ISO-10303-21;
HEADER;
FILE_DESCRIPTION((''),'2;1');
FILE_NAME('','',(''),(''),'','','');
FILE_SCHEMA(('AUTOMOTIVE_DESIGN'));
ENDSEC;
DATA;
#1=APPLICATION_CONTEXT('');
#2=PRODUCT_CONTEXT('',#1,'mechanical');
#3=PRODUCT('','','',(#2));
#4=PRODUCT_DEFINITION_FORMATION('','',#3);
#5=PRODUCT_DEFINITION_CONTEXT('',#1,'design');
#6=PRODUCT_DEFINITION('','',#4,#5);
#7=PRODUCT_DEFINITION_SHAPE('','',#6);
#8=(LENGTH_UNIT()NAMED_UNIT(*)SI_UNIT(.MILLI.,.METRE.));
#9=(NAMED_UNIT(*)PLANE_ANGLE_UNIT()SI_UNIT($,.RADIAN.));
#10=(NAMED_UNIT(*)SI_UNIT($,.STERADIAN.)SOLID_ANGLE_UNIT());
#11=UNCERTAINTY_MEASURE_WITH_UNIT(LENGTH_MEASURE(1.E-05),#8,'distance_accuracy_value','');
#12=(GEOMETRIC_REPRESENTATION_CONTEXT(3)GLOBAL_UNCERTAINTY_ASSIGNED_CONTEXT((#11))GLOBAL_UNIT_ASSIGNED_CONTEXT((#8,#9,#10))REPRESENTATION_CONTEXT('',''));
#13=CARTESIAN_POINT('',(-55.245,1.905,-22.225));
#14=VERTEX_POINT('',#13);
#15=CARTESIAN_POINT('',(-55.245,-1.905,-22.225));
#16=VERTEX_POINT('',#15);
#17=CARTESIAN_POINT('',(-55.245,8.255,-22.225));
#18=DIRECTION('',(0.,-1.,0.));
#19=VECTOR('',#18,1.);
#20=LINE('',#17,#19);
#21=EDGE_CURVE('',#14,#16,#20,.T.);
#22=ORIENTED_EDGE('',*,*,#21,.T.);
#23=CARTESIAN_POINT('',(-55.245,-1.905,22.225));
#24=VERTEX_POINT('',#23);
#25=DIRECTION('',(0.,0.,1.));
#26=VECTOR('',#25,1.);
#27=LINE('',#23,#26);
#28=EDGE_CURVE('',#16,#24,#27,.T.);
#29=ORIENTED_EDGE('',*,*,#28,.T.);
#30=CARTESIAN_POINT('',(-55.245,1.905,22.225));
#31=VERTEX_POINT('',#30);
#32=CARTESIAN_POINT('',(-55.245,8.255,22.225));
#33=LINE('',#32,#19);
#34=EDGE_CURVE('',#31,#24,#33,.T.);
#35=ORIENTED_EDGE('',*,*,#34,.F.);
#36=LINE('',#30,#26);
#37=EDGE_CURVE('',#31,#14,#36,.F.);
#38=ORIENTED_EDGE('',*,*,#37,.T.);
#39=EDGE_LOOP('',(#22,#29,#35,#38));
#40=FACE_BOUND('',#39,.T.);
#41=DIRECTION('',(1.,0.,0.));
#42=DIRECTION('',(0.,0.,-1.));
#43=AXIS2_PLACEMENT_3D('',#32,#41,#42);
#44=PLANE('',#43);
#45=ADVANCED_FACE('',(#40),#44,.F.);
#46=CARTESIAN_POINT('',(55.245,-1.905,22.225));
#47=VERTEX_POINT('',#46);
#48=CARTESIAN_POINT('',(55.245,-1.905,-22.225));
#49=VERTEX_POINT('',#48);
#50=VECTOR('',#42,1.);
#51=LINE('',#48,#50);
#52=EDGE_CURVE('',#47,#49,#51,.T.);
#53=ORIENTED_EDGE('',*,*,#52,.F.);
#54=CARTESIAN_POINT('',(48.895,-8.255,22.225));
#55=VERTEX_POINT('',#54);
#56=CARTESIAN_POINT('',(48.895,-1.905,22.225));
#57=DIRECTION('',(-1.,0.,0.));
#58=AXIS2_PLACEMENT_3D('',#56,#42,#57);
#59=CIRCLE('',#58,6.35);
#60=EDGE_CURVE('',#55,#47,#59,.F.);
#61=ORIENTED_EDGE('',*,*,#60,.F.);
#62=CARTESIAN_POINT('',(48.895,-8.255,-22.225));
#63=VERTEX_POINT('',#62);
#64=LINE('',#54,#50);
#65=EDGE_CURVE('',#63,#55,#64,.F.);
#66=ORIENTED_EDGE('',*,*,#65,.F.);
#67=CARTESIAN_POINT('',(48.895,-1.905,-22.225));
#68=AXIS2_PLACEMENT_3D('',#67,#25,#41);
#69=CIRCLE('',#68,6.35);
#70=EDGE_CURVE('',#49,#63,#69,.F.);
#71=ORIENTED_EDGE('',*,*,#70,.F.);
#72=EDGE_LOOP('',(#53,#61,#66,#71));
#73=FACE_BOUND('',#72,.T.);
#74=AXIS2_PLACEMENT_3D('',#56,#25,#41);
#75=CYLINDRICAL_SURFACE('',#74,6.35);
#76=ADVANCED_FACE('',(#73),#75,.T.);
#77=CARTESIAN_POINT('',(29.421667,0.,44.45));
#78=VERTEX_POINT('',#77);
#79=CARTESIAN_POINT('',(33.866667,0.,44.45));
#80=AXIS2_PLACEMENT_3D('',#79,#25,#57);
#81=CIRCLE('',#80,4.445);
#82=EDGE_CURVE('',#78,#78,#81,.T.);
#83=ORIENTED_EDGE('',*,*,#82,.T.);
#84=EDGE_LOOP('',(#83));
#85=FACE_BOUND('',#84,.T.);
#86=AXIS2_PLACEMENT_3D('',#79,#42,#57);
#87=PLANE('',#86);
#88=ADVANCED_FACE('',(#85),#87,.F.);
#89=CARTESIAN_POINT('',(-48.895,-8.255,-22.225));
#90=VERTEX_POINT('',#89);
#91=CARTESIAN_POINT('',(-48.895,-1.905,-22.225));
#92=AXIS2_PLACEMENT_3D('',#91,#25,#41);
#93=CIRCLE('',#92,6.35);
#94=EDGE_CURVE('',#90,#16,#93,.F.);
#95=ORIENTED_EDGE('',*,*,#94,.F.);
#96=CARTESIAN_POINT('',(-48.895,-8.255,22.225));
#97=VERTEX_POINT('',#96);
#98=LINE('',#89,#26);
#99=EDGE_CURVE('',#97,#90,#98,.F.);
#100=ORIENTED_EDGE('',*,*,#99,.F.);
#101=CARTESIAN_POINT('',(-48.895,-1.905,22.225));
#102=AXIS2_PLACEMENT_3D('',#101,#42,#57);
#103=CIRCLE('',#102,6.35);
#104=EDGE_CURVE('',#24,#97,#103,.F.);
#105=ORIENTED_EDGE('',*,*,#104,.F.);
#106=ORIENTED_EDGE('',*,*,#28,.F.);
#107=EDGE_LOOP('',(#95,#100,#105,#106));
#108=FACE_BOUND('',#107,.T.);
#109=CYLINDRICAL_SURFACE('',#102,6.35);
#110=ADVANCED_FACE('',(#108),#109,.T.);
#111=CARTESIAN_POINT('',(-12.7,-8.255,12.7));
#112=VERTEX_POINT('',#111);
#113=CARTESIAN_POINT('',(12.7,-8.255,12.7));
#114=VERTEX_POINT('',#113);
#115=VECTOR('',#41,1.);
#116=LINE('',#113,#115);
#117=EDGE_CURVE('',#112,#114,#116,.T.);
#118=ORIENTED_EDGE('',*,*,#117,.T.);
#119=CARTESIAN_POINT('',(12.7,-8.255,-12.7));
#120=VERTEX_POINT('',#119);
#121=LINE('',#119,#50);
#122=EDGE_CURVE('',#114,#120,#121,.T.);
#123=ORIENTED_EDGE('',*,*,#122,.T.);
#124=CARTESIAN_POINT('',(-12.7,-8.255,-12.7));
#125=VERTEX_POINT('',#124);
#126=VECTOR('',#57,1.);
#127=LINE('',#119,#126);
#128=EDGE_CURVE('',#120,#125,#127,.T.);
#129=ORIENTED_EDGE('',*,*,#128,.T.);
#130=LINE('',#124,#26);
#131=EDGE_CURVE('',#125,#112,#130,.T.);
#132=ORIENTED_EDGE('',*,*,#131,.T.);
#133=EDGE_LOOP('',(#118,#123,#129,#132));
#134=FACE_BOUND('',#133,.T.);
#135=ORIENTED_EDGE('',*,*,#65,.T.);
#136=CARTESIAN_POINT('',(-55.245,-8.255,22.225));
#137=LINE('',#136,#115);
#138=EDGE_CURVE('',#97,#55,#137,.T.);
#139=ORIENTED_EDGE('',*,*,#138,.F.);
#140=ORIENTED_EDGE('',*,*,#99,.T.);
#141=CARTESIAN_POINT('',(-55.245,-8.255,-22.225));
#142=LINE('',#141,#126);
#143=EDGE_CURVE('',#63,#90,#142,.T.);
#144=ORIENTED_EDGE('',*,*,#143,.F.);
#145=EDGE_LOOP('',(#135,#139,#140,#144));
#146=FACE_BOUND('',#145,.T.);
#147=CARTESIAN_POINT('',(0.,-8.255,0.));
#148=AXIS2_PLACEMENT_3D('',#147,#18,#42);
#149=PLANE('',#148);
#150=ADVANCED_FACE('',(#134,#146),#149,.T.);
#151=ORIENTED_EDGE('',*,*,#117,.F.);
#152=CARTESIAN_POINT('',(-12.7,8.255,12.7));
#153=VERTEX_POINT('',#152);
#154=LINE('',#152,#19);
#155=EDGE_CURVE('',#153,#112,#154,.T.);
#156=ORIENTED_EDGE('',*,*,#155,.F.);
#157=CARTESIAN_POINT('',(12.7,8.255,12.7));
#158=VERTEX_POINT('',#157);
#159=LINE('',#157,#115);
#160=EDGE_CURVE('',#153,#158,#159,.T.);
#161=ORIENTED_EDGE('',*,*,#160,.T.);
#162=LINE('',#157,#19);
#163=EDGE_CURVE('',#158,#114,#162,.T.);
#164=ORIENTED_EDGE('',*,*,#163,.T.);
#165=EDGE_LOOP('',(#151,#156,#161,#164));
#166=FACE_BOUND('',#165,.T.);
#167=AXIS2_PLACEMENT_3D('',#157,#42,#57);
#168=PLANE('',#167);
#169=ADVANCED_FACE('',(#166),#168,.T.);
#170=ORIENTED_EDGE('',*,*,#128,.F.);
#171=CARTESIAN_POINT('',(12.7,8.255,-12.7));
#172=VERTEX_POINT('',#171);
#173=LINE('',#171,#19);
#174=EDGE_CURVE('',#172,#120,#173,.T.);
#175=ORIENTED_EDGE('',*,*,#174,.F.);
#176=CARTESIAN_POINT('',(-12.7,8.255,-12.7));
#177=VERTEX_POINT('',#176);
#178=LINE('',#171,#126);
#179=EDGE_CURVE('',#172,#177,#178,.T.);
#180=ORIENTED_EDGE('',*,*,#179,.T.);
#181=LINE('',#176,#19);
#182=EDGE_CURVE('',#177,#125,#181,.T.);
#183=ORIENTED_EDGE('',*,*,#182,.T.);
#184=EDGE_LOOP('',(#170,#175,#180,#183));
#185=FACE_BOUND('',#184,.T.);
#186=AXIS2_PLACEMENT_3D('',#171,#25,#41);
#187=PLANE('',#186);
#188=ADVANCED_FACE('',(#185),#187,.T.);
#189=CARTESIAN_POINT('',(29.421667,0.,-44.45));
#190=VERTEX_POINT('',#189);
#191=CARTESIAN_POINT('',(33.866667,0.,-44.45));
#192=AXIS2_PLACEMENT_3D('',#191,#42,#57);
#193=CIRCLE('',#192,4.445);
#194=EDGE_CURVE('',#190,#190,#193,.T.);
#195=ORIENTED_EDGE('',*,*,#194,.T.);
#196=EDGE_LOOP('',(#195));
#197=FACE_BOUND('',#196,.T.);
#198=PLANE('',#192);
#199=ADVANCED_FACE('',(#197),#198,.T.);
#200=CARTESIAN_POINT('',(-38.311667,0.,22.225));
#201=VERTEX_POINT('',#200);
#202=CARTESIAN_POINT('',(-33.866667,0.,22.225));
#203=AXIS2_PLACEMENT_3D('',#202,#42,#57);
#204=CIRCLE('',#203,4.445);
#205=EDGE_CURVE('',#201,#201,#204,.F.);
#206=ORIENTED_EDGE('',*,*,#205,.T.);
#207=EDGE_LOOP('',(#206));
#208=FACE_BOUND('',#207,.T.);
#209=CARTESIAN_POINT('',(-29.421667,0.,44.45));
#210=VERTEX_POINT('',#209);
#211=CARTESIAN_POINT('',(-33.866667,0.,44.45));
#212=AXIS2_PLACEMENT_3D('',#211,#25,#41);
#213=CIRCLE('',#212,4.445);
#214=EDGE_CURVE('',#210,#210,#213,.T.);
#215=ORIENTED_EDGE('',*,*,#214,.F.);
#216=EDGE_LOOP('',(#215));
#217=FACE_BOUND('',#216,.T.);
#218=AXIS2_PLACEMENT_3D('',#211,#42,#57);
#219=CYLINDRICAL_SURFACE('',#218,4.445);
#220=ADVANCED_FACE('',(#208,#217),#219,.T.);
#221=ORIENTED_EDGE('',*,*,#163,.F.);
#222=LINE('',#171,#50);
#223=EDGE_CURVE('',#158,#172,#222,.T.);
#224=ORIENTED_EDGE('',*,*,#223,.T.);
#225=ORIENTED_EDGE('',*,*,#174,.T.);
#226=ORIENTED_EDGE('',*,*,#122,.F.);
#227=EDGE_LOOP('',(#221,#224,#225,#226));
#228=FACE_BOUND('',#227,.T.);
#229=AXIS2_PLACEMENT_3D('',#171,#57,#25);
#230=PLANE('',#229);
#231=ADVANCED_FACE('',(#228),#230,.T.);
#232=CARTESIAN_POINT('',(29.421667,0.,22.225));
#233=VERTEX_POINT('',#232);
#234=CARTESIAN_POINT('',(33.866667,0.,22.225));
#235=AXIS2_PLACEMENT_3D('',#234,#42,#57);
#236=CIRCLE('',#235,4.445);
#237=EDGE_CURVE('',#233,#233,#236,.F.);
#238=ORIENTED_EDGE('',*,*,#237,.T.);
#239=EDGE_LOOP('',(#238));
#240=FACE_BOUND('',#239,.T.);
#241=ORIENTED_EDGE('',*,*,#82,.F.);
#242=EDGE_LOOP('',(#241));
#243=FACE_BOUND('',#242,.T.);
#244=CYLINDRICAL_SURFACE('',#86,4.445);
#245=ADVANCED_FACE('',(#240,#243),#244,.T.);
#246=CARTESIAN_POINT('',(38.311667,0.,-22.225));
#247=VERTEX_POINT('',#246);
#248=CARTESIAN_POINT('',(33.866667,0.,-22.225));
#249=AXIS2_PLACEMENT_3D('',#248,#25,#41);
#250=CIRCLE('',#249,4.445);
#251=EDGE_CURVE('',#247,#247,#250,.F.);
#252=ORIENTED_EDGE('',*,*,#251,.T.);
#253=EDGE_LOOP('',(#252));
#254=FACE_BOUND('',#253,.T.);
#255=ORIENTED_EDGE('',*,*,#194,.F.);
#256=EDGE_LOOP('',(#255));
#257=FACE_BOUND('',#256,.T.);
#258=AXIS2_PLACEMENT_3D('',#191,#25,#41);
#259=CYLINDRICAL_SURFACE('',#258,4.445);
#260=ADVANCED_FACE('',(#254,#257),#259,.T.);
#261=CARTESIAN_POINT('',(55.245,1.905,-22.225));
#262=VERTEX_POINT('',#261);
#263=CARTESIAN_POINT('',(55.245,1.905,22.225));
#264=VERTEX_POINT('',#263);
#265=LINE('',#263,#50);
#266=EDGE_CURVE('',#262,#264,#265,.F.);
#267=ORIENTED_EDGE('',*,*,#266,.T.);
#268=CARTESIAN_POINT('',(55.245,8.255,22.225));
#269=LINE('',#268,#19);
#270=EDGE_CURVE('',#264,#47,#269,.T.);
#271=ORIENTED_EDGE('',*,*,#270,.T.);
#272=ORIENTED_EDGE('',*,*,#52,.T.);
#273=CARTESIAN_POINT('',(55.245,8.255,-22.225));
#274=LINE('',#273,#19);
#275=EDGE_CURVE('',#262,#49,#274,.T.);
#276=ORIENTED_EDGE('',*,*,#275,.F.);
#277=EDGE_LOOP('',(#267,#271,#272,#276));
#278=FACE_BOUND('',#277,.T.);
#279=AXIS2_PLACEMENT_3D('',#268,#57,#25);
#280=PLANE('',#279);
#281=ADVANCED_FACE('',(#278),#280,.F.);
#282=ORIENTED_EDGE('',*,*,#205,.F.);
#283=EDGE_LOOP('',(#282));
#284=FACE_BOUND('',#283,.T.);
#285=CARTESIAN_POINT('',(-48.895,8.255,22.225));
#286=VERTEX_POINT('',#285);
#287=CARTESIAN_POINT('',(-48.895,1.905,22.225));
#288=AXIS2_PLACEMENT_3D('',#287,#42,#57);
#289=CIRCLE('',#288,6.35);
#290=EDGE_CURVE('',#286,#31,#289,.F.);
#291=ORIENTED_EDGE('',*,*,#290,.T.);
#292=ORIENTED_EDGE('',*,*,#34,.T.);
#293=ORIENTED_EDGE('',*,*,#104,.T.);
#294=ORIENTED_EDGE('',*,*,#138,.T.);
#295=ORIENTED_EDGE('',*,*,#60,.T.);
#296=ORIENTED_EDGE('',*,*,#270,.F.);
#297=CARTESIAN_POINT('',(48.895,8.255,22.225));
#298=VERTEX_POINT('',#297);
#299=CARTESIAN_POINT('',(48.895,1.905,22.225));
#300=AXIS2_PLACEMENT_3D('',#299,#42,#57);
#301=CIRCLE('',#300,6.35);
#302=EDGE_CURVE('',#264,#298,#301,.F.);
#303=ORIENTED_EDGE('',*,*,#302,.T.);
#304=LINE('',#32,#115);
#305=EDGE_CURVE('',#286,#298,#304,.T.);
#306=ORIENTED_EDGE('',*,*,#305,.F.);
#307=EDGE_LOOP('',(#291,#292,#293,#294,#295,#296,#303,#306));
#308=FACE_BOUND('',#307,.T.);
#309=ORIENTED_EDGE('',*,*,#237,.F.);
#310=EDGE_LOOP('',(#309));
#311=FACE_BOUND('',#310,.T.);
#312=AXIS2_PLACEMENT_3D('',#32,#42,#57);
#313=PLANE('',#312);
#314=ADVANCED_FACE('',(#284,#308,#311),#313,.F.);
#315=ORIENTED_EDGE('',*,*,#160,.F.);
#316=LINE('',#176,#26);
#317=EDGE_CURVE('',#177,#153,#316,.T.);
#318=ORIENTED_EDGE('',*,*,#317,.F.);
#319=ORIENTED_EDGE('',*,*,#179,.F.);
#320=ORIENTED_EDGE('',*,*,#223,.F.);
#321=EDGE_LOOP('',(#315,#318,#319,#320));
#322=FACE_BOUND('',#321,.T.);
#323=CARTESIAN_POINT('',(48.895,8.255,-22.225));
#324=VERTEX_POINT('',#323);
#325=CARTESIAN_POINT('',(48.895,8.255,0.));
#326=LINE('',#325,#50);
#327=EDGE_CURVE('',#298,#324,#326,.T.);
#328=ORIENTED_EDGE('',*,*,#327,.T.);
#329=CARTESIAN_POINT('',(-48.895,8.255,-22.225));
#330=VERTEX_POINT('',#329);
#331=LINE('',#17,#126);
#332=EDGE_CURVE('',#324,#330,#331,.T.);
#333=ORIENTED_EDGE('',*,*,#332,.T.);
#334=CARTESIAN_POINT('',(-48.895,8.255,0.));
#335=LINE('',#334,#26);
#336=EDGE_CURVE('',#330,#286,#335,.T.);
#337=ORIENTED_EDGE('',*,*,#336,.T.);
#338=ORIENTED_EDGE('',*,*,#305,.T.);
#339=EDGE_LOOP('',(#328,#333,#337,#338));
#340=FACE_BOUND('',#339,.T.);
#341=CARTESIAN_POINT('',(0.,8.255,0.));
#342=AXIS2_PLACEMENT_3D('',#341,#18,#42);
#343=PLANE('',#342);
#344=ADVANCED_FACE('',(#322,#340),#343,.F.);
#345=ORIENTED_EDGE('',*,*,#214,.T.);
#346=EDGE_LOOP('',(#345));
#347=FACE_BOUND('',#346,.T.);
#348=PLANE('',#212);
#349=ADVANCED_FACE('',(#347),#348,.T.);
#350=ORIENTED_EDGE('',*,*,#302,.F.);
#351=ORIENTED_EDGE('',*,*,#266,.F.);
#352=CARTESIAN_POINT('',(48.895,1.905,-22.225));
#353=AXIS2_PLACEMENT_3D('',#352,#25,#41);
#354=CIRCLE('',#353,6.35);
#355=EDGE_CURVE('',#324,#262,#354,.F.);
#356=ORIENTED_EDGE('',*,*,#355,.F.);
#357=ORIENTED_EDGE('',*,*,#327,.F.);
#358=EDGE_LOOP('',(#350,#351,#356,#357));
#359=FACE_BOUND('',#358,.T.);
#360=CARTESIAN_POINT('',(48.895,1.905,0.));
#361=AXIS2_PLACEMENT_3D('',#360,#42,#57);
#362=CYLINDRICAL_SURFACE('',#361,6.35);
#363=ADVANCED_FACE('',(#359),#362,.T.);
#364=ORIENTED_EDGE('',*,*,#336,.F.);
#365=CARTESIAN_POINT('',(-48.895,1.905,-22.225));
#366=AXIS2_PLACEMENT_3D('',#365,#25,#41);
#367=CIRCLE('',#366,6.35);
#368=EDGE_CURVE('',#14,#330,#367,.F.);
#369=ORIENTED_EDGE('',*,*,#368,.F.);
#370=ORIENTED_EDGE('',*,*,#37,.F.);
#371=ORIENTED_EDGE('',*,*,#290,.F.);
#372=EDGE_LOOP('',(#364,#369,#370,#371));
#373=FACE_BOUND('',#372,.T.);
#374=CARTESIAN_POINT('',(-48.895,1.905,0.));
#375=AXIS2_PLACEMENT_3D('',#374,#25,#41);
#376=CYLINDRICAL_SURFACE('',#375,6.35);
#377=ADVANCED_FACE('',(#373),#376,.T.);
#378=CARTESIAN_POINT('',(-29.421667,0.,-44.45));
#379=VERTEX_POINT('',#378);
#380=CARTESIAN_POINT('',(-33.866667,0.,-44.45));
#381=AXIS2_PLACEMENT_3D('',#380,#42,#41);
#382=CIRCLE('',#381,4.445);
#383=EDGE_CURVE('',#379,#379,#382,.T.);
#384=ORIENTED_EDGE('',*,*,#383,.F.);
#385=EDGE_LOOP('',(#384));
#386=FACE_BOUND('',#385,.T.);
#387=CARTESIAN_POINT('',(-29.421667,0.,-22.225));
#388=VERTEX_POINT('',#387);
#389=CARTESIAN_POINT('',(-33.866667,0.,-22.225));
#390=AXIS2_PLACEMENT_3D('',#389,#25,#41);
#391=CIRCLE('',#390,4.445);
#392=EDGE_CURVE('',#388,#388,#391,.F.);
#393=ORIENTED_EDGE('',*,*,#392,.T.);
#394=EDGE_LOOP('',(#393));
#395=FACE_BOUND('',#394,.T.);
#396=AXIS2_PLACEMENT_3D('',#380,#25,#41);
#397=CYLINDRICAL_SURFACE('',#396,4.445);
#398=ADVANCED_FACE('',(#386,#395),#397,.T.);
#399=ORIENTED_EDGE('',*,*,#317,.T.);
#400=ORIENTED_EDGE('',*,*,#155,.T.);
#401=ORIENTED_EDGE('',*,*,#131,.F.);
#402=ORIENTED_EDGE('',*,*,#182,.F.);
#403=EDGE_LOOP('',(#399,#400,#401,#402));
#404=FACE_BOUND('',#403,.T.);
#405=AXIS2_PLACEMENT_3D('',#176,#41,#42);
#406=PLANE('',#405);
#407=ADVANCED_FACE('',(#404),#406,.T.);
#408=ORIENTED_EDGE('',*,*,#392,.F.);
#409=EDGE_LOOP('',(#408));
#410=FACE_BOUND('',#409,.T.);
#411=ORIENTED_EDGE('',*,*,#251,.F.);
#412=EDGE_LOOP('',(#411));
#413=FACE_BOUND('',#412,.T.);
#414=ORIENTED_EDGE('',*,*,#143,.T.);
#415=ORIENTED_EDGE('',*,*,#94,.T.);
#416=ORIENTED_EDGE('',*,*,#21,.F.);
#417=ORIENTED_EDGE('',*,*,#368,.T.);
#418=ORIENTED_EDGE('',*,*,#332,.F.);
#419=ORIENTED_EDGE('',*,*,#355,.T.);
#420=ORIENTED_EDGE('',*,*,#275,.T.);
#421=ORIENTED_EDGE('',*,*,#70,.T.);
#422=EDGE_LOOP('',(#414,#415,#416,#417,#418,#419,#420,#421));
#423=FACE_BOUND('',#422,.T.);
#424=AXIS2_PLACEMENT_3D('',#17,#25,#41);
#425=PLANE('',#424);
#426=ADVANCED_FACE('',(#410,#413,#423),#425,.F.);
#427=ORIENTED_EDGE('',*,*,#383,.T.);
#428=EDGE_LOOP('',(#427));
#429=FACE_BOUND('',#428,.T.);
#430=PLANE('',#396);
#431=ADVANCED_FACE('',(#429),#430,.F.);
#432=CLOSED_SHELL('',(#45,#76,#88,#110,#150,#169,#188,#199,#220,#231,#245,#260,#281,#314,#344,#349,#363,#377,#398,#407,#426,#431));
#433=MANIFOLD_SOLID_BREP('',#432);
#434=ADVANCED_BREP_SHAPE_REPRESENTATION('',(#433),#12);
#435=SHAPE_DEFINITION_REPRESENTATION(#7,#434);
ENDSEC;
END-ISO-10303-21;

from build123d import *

# Parameters (mm, degrees)
SKETCH1_W           = 110.49
SKETCH1_H           = 44.45
SKETCH1_W_2         = 25.4
SKETCH1_H_2         = 25.4
BOSS_EXTRUDE1_DEPTH = 8.255
FILLET1_R           = 6.35
SKETCH2_R           = 4.445
BOSS_EXTRUDE2_DEPTH = 22.225
BOSS_EXTRUDE3_START = 22.225
SKETCH3_R           = 4.445
BOSS_EXTRUDE3_DEPTH = 22.225


with BuildPart() as part:
    # Sketch1 → Boss-Extrude1 (new, symmetric)
    with BuildSketch(Plane(origin=(0, 0, 0), x_dir=(1, 0, 0), z_dir=(0, 1, 0))):
        Rectangle(SKETCH1_W, SKETCH1_H)
        Rectangle(SKETCH1_W_2, SKETCH1_H_2, mode=Mode.SUBTRACT)
    extrude(amount=BOSS_EXTRUDE1_DEPTH, both=True)

    # Fillet1
    fillet1_edges = [part.edges().sort_by_distance(p)[0] for p in [
        (-55.245, 8.255, 0),
        (55.245, 8.255, 0),
        (-55.245, -8.255, 0),
        (55.245, -8.255, 0),
    ]]
    fillet(fillet1_edges, radius=FILLET1_R)

    # Sketch2 → Boss-Extrude2 (add)
    with BuildSketch(Plane.XY.offset(22.225)):
        with Locations(Location((-33.866666667, 0, 0), (0, 0, 180))):
            Circle(SKETCH2_R)
        with Locations(Location((33.866666667, 0, 0), (0, 0, 180))):
            Circle(SKETCH2_R)
    extrude(amount=BOSS_EXTRUDE2_DEPTH)

    # Sketch3 → Boss-Extrude3 (add)
    with BuildSketch(Plane(origin=(0, 0, -22.225), x_dir=(-1, 0, 0), z_dir=(0, 0, -1)).offset(BOSS_EXTRUDE3_START)):
        with Locations((-33.866666667, 0)):
            Circle(SKETCH3_R)
        with Locations((33.866666667, 0)):
            Circle(SKETCH3_R)
    extrude(amount=-BOSS_EXTRUDE3_DEPTH)


solid = part.part
